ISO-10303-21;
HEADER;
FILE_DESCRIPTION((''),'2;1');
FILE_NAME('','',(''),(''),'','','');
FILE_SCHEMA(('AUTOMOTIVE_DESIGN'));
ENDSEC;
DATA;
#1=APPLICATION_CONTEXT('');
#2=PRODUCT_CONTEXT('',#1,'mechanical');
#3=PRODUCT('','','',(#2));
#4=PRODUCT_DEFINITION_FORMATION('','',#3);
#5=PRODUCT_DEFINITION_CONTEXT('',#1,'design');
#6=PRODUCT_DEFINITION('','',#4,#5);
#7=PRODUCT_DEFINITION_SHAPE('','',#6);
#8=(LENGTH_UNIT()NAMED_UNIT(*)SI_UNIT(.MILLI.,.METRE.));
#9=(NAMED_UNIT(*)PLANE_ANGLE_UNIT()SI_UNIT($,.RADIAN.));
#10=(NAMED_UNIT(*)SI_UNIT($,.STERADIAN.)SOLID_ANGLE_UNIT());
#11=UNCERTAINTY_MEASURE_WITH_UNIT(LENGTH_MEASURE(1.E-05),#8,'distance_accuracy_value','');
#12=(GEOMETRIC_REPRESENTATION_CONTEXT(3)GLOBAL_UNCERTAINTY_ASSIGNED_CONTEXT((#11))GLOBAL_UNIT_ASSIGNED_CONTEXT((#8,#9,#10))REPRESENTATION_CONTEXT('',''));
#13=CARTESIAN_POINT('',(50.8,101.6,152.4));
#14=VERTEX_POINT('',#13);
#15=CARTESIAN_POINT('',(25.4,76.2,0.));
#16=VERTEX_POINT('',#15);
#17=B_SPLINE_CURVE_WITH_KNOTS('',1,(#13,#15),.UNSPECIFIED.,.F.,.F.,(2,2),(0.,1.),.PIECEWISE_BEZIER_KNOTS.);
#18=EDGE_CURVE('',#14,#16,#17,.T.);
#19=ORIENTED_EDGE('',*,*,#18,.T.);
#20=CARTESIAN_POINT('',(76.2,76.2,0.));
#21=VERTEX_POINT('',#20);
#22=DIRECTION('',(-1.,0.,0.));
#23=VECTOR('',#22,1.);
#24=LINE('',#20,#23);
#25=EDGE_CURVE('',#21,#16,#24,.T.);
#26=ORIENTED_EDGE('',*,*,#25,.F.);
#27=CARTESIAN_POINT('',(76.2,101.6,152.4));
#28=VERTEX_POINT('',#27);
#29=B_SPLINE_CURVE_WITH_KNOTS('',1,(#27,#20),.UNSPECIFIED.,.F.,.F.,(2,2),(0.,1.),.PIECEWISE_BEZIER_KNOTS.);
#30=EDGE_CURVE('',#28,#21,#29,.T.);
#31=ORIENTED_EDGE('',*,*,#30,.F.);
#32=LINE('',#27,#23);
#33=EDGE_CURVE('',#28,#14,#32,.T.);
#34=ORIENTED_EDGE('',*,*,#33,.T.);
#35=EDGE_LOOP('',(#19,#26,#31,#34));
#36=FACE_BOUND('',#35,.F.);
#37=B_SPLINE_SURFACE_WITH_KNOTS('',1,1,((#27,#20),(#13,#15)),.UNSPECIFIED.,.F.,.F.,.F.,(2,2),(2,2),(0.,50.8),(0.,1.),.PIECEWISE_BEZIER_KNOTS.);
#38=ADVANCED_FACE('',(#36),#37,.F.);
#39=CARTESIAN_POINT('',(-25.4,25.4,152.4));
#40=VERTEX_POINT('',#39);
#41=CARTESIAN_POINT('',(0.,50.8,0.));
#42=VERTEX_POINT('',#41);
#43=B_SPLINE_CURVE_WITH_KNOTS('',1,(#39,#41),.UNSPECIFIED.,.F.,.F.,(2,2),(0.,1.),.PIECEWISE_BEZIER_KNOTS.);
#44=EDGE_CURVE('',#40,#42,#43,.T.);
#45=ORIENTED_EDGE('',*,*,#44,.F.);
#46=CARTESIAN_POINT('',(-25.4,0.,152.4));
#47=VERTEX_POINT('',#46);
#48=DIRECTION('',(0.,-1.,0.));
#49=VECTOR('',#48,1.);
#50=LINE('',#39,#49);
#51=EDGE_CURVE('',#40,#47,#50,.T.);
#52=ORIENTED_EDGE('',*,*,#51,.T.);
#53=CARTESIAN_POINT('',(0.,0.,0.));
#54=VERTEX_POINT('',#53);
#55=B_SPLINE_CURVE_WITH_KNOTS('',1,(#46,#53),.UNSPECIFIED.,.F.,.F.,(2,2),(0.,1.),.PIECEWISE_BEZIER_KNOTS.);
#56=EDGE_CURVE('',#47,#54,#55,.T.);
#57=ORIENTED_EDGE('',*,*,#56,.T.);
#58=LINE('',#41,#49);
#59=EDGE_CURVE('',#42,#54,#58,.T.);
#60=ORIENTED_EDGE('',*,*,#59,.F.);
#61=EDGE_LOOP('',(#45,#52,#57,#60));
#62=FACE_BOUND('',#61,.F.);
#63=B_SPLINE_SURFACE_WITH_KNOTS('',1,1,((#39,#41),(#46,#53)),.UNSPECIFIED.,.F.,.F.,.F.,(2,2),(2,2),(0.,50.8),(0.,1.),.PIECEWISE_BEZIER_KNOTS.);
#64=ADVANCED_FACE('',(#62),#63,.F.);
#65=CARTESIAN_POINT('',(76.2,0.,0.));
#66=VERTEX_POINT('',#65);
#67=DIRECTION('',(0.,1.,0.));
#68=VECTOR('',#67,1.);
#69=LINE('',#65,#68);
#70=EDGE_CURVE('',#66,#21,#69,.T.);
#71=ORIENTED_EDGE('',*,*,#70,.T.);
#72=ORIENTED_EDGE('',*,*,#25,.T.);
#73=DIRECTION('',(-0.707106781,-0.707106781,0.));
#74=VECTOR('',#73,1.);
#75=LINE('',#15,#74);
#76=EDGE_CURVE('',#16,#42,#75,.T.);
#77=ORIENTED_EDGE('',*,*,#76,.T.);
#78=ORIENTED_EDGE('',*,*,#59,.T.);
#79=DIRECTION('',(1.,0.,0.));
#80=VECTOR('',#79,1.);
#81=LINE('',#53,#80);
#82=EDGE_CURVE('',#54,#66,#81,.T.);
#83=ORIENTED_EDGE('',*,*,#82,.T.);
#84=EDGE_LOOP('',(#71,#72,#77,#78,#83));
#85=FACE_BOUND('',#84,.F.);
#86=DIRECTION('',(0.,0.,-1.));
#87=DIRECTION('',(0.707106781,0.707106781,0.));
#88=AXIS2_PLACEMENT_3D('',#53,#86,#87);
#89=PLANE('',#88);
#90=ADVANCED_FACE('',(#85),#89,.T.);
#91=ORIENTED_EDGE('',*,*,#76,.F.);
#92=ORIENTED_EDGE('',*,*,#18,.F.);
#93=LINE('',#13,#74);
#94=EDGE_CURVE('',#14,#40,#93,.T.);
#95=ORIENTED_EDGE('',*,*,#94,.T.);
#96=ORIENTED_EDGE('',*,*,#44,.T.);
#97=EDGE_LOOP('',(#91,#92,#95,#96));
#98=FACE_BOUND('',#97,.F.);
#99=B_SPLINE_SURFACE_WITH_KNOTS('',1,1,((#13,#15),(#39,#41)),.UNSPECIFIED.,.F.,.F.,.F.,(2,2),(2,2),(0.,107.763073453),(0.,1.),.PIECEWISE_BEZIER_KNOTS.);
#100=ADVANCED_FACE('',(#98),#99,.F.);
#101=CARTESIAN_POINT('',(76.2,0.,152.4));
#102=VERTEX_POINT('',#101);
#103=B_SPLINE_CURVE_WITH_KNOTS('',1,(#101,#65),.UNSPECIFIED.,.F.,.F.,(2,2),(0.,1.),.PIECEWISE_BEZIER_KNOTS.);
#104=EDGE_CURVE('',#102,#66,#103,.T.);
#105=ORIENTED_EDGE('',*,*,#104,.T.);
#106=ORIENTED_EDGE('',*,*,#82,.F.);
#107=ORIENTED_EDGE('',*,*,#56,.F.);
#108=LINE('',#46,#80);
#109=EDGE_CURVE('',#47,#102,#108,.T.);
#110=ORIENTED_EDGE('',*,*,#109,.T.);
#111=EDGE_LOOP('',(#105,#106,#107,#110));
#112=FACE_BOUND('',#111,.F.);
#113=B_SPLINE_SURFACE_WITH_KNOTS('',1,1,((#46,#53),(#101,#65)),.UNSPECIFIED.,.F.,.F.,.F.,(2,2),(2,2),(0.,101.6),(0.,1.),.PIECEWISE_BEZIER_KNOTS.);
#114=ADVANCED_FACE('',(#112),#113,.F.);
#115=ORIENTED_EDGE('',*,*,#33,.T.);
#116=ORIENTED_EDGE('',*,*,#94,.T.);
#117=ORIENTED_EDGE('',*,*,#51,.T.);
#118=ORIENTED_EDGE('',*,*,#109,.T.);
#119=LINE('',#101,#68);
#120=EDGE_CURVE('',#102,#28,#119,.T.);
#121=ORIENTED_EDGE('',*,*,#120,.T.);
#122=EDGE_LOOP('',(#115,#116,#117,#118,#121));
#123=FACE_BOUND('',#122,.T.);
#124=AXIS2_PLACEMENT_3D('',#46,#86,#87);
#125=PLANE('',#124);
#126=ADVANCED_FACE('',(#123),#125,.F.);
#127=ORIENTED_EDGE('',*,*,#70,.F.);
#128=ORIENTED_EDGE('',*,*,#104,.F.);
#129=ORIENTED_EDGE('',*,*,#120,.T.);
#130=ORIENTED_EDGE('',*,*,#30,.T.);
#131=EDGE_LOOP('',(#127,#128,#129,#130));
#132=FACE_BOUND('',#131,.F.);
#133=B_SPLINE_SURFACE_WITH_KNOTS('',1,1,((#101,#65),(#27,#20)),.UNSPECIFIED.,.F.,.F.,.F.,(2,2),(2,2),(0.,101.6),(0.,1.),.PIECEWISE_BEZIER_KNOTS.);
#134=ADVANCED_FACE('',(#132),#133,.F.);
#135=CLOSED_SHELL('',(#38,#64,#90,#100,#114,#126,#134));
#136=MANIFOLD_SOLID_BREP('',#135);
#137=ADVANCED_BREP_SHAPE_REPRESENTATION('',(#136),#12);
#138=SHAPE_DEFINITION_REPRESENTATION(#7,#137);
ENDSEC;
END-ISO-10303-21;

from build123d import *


with BuildPart() as f3:
    # F2 (on offset) → F3 section 0
    with BuildSketch(Plane.XY.offset(152.4)):
        Polygon((-25.4, 0), (76.2, 0), (76.2, 101.6), (50.8, 101.6), (-25.4, 25.4), align=None)
    # F0 (on Top) → F3 section 1
    with BuildSketch(Plane.XY):
        Polygon((0, 50.8), (0, 0), (76.2, 0), (76.2, 76.2), (25.4, 76.2), align=None)
    loft()


solid = f3.part
